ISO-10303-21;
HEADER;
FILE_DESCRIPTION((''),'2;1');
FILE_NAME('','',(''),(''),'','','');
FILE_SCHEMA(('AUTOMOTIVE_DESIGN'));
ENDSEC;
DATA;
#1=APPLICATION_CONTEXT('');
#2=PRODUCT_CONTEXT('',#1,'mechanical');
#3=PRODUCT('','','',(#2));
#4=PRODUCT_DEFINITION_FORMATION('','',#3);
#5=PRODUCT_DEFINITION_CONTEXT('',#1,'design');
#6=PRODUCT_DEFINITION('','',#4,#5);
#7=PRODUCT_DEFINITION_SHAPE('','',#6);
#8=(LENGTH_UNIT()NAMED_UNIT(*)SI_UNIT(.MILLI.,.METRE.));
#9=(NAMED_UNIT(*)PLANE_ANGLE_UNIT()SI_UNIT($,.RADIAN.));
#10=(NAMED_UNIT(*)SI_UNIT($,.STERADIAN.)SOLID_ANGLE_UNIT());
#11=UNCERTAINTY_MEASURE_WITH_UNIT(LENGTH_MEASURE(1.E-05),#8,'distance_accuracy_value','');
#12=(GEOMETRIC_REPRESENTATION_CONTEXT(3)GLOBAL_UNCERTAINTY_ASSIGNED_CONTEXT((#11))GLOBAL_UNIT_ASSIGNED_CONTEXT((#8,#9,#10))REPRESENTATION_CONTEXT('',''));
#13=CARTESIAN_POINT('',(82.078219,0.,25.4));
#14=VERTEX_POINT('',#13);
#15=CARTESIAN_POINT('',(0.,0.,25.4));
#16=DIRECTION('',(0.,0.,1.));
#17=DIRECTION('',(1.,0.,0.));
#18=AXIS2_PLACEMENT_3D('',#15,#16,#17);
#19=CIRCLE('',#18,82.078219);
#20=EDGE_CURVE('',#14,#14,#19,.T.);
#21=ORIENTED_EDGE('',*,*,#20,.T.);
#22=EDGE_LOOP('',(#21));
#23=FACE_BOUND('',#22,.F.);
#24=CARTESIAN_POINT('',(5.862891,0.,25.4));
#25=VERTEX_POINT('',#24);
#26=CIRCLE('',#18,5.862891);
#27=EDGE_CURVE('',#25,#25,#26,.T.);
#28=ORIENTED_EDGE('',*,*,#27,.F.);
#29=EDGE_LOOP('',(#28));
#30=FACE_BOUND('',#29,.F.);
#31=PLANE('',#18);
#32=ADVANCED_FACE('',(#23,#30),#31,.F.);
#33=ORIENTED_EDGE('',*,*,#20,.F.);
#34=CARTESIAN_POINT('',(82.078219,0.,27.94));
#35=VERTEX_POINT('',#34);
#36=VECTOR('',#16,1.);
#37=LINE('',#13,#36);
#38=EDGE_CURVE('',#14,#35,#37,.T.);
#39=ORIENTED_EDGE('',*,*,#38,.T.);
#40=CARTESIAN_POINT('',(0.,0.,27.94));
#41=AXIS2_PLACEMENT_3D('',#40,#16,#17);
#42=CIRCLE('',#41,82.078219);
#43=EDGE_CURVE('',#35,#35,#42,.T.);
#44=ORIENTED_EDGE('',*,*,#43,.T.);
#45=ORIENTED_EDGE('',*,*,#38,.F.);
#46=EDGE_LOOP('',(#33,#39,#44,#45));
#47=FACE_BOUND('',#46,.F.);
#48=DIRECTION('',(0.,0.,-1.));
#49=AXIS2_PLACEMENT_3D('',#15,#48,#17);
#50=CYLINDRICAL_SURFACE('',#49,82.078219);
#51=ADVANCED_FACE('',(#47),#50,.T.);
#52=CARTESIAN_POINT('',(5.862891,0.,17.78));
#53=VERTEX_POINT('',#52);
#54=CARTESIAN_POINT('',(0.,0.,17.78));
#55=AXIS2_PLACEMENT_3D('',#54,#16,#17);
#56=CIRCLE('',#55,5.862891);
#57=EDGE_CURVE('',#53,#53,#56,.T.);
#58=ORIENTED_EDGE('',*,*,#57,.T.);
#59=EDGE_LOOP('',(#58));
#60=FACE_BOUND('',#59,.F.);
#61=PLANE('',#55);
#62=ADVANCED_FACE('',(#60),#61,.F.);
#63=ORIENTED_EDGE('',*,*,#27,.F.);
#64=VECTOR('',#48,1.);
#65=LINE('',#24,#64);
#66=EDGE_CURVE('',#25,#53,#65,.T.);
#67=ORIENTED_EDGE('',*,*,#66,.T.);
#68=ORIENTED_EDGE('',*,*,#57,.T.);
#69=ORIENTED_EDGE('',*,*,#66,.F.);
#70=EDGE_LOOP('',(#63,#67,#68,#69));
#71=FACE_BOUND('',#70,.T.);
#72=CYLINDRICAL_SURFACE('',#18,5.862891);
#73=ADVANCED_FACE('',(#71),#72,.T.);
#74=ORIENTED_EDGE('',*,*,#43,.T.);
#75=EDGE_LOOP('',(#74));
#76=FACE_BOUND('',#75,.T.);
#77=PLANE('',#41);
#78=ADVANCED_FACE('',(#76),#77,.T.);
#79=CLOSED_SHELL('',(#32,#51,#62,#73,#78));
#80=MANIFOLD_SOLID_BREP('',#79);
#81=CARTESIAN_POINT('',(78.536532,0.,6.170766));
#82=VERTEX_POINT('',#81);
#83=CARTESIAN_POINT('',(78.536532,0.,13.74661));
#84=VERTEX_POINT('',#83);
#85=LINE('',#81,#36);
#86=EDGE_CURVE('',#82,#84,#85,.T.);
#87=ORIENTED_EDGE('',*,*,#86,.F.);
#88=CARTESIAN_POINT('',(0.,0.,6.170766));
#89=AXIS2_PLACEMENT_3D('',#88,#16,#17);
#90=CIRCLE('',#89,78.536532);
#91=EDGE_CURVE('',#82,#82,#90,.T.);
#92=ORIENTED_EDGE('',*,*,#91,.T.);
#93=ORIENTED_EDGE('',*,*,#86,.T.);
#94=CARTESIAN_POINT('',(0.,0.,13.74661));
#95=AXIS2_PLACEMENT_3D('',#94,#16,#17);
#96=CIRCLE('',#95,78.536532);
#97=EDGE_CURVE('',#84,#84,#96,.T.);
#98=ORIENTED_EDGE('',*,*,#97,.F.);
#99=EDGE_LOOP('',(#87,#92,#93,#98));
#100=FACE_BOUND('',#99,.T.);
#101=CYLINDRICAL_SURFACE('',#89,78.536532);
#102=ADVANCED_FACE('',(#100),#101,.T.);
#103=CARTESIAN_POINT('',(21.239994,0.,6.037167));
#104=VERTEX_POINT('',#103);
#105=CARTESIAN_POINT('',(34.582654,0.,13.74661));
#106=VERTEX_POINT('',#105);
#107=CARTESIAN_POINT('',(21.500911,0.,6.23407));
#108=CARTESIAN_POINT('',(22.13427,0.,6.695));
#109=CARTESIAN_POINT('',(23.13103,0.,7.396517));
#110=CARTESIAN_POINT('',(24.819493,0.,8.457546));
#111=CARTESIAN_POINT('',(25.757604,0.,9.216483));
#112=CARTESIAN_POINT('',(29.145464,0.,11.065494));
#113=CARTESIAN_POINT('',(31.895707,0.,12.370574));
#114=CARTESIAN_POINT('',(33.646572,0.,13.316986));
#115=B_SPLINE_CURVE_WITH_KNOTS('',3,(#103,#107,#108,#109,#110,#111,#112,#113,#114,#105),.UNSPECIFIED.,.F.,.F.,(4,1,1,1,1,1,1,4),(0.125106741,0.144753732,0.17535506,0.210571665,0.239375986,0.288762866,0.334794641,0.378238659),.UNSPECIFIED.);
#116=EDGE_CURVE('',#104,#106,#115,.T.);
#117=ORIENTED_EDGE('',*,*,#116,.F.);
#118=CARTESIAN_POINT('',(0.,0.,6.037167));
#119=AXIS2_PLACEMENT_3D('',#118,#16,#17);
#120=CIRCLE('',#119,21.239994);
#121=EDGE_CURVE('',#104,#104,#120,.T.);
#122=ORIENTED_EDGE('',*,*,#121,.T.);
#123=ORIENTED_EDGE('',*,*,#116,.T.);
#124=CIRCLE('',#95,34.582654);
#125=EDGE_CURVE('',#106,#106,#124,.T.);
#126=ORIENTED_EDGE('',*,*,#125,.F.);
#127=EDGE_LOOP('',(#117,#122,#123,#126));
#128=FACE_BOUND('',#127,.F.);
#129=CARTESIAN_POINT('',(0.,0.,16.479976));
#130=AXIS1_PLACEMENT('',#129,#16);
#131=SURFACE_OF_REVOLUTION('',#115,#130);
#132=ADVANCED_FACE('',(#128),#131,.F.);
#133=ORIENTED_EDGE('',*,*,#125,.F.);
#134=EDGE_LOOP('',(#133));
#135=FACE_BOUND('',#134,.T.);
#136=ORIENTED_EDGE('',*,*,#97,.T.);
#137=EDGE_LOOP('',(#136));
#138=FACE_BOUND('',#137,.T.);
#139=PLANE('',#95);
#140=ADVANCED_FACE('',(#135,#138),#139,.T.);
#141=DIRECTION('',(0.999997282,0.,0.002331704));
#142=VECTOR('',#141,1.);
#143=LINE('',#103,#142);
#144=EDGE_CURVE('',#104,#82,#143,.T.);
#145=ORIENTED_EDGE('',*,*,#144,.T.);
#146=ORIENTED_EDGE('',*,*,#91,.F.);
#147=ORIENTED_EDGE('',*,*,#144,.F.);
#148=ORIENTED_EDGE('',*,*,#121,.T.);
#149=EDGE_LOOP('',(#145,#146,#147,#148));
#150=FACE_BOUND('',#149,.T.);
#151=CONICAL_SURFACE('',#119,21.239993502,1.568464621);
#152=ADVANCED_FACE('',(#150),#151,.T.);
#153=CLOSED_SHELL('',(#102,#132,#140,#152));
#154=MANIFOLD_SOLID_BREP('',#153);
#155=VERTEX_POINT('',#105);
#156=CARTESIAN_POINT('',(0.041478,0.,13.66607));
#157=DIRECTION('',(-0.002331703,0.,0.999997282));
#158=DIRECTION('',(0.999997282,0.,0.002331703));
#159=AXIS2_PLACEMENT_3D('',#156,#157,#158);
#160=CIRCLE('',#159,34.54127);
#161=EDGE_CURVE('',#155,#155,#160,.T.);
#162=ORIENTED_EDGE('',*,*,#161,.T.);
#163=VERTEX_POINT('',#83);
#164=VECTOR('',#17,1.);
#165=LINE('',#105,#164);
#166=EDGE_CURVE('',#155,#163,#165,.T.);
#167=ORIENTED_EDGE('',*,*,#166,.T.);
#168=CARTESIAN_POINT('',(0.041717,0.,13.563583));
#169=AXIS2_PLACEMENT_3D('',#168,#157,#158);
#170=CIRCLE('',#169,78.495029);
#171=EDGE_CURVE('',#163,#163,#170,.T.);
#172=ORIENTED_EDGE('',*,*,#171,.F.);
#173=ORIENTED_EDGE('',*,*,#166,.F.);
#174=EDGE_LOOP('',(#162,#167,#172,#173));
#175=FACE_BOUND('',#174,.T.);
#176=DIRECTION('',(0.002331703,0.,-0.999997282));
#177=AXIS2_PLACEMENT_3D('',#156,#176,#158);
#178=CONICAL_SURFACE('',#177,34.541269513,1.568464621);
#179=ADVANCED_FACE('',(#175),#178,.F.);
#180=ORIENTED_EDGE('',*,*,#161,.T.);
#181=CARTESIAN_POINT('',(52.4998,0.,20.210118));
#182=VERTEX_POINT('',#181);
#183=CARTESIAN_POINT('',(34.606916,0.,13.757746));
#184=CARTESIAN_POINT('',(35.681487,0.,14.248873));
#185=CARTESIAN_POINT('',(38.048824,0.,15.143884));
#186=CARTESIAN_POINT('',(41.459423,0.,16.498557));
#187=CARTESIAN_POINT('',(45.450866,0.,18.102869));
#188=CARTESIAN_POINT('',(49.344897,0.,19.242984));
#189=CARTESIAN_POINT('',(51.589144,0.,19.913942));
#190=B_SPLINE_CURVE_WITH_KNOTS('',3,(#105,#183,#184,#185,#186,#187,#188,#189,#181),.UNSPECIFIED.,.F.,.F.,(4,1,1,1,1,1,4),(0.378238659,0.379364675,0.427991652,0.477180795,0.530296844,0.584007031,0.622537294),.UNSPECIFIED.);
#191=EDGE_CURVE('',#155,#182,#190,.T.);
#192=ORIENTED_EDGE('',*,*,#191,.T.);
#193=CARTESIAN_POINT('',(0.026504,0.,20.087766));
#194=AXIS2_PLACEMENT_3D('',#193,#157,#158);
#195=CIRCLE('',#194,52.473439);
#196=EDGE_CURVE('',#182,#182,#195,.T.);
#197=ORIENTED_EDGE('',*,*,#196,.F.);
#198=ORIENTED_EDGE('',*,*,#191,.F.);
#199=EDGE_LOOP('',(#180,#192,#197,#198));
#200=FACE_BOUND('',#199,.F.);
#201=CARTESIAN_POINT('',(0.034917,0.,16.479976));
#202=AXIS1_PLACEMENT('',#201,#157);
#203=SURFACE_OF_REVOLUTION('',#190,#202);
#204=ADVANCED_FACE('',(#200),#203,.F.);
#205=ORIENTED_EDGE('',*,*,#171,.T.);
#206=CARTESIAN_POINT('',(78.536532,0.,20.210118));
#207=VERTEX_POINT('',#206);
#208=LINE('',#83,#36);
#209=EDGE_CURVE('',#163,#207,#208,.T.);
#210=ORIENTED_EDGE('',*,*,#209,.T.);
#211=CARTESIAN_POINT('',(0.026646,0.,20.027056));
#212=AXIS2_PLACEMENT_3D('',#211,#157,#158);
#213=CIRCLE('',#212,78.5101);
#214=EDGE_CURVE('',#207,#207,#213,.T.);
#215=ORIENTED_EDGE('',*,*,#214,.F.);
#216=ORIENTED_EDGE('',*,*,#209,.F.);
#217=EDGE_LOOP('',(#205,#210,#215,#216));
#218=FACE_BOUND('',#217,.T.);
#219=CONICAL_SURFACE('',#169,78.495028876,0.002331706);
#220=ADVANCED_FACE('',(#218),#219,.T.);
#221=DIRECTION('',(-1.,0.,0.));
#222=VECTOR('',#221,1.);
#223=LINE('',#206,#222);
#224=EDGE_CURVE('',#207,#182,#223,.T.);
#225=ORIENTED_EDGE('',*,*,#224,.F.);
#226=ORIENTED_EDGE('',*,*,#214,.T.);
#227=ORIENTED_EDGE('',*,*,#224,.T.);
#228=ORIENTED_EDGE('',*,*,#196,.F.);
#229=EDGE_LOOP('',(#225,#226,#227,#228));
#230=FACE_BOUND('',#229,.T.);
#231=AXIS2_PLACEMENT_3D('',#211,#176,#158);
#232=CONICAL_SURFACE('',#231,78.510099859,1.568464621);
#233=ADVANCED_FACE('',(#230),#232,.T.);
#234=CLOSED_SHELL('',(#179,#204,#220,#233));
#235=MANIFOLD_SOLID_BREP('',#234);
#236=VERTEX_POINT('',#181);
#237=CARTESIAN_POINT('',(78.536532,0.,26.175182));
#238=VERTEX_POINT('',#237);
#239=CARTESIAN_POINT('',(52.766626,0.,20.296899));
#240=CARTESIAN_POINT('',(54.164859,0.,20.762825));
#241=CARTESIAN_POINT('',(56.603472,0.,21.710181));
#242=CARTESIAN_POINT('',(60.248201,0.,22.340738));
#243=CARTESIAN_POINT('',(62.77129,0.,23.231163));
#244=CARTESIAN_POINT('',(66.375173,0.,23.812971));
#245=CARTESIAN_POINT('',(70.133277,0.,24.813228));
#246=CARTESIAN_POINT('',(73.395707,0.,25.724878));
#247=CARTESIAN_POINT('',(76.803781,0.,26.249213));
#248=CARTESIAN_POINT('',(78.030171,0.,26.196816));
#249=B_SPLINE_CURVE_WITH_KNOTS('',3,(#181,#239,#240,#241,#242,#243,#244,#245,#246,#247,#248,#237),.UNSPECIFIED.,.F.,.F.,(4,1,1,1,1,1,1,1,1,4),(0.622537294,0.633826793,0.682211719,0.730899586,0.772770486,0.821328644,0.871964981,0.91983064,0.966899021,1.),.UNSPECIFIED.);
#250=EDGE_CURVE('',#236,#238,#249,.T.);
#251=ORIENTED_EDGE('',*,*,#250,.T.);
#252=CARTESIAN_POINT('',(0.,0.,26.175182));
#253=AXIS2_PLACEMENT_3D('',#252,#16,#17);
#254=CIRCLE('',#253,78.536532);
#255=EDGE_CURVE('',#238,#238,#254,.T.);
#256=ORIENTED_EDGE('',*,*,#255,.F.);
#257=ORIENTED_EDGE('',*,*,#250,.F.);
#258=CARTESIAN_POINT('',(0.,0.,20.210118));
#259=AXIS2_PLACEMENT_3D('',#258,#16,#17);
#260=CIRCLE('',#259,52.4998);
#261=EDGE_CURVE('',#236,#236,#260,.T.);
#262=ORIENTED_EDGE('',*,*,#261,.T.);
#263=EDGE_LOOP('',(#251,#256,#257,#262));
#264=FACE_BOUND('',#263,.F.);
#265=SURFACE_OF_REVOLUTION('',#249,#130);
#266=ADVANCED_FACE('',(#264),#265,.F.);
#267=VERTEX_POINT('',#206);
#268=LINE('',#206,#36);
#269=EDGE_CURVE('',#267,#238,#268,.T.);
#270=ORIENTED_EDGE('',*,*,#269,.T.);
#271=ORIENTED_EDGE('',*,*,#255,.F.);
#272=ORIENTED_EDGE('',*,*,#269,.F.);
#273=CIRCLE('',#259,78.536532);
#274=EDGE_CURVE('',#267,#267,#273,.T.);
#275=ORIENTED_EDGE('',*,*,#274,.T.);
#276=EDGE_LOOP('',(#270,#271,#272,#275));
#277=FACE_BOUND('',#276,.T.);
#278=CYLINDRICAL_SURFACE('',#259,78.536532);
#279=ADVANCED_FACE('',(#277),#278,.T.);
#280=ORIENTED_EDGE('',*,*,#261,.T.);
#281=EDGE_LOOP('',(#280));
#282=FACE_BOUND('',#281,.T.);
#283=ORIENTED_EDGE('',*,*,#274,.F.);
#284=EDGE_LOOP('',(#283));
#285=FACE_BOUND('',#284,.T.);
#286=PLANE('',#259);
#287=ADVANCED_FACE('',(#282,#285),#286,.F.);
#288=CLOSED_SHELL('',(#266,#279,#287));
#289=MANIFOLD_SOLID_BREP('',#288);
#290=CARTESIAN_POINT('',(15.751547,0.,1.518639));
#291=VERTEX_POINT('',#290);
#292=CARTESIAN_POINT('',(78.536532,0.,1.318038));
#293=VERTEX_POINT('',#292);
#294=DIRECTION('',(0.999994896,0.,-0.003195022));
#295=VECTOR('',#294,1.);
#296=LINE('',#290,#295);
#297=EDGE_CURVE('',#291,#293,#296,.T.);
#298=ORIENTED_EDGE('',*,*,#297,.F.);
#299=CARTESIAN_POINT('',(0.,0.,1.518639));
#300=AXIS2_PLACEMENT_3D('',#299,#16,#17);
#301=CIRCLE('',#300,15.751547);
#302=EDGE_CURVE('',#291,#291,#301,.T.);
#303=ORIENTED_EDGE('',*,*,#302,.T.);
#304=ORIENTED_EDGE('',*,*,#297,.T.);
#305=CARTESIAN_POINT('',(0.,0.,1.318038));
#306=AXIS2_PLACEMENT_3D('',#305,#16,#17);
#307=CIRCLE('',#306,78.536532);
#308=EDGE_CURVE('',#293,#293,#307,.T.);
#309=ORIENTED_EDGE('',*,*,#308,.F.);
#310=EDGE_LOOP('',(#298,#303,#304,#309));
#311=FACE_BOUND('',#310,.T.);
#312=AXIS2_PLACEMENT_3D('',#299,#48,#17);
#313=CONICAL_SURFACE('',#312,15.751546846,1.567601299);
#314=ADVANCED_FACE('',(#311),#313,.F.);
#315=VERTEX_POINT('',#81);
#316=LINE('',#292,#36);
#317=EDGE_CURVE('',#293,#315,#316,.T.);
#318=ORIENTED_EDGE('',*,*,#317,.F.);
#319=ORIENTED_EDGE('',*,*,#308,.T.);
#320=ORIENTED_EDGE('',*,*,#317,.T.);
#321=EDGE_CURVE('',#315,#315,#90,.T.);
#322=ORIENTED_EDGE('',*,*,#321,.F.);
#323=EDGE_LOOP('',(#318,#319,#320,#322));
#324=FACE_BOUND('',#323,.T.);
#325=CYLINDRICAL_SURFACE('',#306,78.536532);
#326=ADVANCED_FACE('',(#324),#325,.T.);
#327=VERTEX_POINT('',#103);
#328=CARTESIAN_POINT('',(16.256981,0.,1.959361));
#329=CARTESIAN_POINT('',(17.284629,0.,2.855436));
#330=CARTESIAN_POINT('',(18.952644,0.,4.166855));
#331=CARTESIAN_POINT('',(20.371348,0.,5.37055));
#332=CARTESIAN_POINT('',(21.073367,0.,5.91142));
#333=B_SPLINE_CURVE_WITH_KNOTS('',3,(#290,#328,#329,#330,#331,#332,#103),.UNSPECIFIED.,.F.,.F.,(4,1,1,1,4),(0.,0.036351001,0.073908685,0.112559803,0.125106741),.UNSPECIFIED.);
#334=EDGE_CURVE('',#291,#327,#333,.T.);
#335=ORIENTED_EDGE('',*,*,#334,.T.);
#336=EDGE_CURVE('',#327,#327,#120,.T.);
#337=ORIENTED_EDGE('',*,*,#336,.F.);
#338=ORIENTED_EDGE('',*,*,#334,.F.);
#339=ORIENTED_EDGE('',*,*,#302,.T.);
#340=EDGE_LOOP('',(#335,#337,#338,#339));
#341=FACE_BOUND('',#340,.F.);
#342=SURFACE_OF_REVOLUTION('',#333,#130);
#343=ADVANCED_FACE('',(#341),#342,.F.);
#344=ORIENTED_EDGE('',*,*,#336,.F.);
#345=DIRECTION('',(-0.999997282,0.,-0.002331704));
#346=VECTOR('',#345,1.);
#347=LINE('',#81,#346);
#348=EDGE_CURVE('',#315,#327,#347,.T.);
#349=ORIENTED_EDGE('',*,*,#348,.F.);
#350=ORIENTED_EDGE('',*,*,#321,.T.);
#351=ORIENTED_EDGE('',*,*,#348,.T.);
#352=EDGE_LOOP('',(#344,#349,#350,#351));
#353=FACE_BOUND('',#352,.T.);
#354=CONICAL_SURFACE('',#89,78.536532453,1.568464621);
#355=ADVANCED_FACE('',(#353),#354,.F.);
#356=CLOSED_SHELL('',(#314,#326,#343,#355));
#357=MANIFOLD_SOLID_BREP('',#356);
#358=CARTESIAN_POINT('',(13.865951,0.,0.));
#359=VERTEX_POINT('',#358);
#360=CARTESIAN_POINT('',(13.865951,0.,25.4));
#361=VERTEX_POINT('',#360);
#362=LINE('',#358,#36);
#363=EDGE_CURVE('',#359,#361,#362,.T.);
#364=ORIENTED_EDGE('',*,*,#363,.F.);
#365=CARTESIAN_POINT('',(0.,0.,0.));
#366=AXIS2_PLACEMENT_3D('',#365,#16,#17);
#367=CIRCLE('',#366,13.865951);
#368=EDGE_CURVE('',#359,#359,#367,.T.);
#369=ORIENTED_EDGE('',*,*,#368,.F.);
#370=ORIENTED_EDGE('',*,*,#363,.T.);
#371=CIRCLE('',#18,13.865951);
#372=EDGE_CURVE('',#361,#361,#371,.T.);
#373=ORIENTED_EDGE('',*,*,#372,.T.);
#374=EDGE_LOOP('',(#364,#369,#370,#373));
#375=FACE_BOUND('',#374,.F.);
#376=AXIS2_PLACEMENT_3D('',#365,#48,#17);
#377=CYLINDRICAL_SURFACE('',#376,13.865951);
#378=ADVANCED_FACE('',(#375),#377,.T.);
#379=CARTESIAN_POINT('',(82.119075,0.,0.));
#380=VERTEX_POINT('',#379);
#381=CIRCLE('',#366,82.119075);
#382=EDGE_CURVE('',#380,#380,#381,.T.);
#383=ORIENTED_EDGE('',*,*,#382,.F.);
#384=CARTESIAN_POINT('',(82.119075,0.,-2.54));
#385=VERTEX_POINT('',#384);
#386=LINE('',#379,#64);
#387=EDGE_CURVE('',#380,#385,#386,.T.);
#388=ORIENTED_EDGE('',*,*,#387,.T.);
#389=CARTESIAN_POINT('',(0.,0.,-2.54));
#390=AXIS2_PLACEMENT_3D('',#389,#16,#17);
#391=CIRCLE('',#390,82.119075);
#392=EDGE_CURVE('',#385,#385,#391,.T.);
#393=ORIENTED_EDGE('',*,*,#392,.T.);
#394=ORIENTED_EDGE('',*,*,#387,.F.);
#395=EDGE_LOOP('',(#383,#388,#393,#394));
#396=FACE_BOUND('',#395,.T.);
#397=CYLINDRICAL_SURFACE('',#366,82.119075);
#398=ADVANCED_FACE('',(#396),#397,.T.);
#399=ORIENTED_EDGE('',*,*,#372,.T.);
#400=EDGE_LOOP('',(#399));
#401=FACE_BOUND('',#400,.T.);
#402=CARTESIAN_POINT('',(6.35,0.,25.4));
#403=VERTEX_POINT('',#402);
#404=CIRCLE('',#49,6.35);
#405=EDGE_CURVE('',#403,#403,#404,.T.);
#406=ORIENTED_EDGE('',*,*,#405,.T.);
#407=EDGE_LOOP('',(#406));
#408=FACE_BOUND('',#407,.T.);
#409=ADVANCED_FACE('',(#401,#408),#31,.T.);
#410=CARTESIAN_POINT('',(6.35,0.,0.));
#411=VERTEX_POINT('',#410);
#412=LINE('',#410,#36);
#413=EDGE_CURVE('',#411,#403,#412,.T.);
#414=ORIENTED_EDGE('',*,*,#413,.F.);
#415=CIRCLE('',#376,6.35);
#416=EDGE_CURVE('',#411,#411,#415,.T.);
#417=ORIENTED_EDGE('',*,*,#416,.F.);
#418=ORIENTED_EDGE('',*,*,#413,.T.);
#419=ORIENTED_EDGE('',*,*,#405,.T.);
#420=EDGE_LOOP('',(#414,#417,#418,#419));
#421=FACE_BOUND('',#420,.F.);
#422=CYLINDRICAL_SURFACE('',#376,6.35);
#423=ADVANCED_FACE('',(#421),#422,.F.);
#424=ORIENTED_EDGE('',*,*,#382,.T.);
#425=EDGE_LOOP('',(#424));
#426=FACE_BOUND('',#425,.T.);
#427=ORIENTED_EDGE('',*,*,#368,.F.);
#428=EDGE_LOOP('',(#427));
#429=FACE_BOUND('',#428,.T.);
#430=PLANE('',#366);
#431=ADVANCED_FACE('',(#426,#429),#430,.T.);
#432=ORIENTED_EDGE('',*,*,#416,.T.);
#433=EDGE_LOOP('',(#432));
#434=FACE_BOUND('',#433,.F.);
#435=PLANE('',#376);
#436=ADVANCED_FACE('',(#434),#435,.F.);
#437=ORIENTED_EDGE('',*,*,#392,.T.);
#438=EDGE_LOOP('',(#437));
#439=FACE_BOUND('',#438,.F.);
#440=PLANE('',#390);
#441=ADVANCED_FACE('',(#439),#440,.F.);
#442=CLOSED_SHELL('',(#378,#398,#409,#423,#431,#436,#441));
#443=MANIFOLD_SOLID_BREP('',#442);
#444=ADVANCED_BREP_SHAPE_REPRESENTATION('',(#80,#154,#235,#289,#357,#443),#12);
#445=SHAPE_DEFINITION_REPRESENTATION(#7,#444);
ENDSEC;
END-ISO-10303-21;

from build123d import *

# Parameters (mm, degrees)
F5_R      = 82.1190752283
F5_R_2    = 13.4047383933
F6_DEPTH  = 2.54
F7_R      = 13.8659514691
F8_DEPTH  = 25.4
F10_D     = 12.7
F10_DEPTH = 25.401
F11_R     = 5.8628907245
F12_DEPTH = 7.62
F9_R      = 82.0782185387
F13_DEPTH = 2.54


with BuildPart() as f1:
    # F0 (on Front) → F1 (revolve)
    with BuildSketch(Plane.XZ):
        with BuildLine():
            add(Edge.make_bspline(
                [(15.7515468455, 1.5186385906), (16.2569814963, 1.959361021), (17.2846288696, 2.8554358099), (18.9526439694, 4.166854506), (20.3713483355, 5.3705503671), (21.0733665388, 5.9114203979), (21.2399935025, 6.0371666258)],
                knots=[0, 0, 0, 0, 0.0363510009, 0.0739086854, 0.112559803, 0.1251067413, 0.1251067413, 0.1251067413, 0.1251067413], degree=3))
            Line((15.7515468455, 1.5186385906), (78.5365324529, 1.318038129))
            Line((78.5365324529, 1.318038129), (78.5365324529, 6.1707655311))
            Line((78.5365324529, 6.1707655311), (21.2399935025, 6.0371666258))
        make_face()
    revolve(axis=Axis((0, 0, 16.4799756994), (0, 0, 1)))


with BuildPart() as f2:
    # F0 (on Front) → F2 (revolve)
    with BuildSketch(Plane.XZ):
        with BuildLine():
            add(Edge.make_bspline(
                [(21.2399935025, 6.0371666258), (21.5009112116, 6.234070038), (22.1342698046, 6.6949997973), (23.1310298936, 7.396516823), (24.8194929191, 8.4575455522), (25.7576037559, 9.2164833794), (29.1454642161, 11.0654940256), (31.8957072977, 12.37057363), (33.6465721386, 13.3169859548), (34.5826536048, 13.7466102251)],
                knots=[0.1251067413, 0.1251067413, 0.1251067413, 0.1251067413, 0.1447537319, 0.1753550601, 0.2105716651, 0.239375986, 0.2887628656, 0.3347946409, 0.3782386594, 0.3782386594, 0.3782386594, 0.3782386594], degree=3))
            Line((21.2399935025, 6.0371666258), (78.5365324529, 6.1707655311))
            Line((78.5365324529, 6.1707655311), (78.5365324529, 13.7466102251))
            Line((78.5365324529, 13.7466102251), (34.5826536048, 13.7466102251))
        make_face()
    revolve(axis=Axis((0, 0, 16.4799756994), (0, 0, 1)))


with BuildPart() as f3:
    # F0 (on Front) → F3 (revolve)
    with BuildSketch(Plane.XZ):
        with BuildLine():
            add(Edge.make_bspline(
                [(34.5826536048, 13.7466102251), (34.606915689, 13.7577455596), (35.6814873865, 14.2488728005), (38.048823558, 15.143884105), (41.4594226373, 16.4985573287), (45.4508659579, 18.1028686828), (49.3448973071, 19.2429844364), (51.5891441877, 19.9139420623), (52.4998004667, 20.2101180306)],
                knots=[0.3782386594, 0.3782386594, 0.3782386594, 0.3782386594, 0.3793646751, 0.4279916519, 0.4771807945, 0.5302968437, 0.5840070306, 0.6225372943, 0.6225372943, 0.6225372943, 0.6225372943], degree=3))
            Line((34.5826536048, 13.7466102251), (78.5365324529, 13.7466102251))
            Line((78.5365324529, 13.7466102251), (78.5365324529, 20.2101180306))
            Line((78.5365324529, 20.2101180306), (52.4998004667, 20.2101180306))
        make_face()
    revolve(axis=Axis((0.0349167788, 0, 16.4799756994), (-0.0023317035, 0, 0.9999972816)))


with BuildPart() as f4:
    # F0 (on Front) → F4 (revolve)
    with BuildSketch(Plane.XZ):
        with BuildLine():
            add(Edge.make_bspline(
                [(52.4998004667, 20.2101180306), (52.7666258691, 20.2968986017), (54.1648589641, 20.7628246645), (56.603471745, 21.7101812772), (60.2482012651, 22.3407375348), (62.771290046, 23.2311631143), (66.3751725962, 23.8129712703), (70.133277328, 24.8132282159), (73.3957067914, 25.7248775779), (76.803780903, 26.2492134197), (78.0301706551, 26.1968164211), (78.5365324529, 26.1751823212)],
                knots=[0.6225372943, 0.6225372943, 0.6225372943, 0.6225372943, 0.6338267932, 0.6822117186, 0.7308995857, 0.7727704857, 0.8213286443, 0.8719649813, 0.9198306396, 0.966899021, 1, 1, 1, 1], degree=3))
            Line((52.4998004667, 20.2101180306), (78.5365324529, 20.2101180306))
            Line((78.5365324529, 20.2101180306), (78.5365324529, 26.1751823212))
        make_face()
    revolve(axis=Axis((0, 0, 16.4799756994), (0, 0, 1)))


with BuildPart() as f6:
    # F5 (on Top) → F6 (new body)
    with BuildSketch(Plane.XY):
        Circle(F5_R)
        Circle(F5_R_2, mode=Mode.SUBTRACT)
        Circle(F5_R_2)
    extrude(amount=-F6_DEPTH)

    # F7 (on Top) → F8 (join)
    with BuildSketch(Plane.XY):
        Circle(F7_R)
    extrude(amount=F8_DEPTH)

    # F10 (through all, one way)
    with BuildSketch(Plane(origin=(0, 0, 0), x_dir=(1, 0, 0), z_dir=(0, 0, -1))):
        with Locations((0, 0)):
            Circle(F10_D / 2)
    extrude(amount=-F10_DEPTH, mode=Mode.SUBTRACT)


with BuildPart() as f12:
    # F11 (on face) → F12 (new body)
    with BuildSketch(Plane.XY.offset(25.4)):
        Circle(F11_R)
    extrude(amount=-F12_DEPTH)

    # F9 (on face) → F13 (join)
    with BuildSketch(Plane.XY.offset(25.4)):
        Circle(F9_R)
    extrude(amount=F13_DEPTH)


solid = Compound([f1.part, f2.part, f3.part, f4.part, f6.part, f12.part])
